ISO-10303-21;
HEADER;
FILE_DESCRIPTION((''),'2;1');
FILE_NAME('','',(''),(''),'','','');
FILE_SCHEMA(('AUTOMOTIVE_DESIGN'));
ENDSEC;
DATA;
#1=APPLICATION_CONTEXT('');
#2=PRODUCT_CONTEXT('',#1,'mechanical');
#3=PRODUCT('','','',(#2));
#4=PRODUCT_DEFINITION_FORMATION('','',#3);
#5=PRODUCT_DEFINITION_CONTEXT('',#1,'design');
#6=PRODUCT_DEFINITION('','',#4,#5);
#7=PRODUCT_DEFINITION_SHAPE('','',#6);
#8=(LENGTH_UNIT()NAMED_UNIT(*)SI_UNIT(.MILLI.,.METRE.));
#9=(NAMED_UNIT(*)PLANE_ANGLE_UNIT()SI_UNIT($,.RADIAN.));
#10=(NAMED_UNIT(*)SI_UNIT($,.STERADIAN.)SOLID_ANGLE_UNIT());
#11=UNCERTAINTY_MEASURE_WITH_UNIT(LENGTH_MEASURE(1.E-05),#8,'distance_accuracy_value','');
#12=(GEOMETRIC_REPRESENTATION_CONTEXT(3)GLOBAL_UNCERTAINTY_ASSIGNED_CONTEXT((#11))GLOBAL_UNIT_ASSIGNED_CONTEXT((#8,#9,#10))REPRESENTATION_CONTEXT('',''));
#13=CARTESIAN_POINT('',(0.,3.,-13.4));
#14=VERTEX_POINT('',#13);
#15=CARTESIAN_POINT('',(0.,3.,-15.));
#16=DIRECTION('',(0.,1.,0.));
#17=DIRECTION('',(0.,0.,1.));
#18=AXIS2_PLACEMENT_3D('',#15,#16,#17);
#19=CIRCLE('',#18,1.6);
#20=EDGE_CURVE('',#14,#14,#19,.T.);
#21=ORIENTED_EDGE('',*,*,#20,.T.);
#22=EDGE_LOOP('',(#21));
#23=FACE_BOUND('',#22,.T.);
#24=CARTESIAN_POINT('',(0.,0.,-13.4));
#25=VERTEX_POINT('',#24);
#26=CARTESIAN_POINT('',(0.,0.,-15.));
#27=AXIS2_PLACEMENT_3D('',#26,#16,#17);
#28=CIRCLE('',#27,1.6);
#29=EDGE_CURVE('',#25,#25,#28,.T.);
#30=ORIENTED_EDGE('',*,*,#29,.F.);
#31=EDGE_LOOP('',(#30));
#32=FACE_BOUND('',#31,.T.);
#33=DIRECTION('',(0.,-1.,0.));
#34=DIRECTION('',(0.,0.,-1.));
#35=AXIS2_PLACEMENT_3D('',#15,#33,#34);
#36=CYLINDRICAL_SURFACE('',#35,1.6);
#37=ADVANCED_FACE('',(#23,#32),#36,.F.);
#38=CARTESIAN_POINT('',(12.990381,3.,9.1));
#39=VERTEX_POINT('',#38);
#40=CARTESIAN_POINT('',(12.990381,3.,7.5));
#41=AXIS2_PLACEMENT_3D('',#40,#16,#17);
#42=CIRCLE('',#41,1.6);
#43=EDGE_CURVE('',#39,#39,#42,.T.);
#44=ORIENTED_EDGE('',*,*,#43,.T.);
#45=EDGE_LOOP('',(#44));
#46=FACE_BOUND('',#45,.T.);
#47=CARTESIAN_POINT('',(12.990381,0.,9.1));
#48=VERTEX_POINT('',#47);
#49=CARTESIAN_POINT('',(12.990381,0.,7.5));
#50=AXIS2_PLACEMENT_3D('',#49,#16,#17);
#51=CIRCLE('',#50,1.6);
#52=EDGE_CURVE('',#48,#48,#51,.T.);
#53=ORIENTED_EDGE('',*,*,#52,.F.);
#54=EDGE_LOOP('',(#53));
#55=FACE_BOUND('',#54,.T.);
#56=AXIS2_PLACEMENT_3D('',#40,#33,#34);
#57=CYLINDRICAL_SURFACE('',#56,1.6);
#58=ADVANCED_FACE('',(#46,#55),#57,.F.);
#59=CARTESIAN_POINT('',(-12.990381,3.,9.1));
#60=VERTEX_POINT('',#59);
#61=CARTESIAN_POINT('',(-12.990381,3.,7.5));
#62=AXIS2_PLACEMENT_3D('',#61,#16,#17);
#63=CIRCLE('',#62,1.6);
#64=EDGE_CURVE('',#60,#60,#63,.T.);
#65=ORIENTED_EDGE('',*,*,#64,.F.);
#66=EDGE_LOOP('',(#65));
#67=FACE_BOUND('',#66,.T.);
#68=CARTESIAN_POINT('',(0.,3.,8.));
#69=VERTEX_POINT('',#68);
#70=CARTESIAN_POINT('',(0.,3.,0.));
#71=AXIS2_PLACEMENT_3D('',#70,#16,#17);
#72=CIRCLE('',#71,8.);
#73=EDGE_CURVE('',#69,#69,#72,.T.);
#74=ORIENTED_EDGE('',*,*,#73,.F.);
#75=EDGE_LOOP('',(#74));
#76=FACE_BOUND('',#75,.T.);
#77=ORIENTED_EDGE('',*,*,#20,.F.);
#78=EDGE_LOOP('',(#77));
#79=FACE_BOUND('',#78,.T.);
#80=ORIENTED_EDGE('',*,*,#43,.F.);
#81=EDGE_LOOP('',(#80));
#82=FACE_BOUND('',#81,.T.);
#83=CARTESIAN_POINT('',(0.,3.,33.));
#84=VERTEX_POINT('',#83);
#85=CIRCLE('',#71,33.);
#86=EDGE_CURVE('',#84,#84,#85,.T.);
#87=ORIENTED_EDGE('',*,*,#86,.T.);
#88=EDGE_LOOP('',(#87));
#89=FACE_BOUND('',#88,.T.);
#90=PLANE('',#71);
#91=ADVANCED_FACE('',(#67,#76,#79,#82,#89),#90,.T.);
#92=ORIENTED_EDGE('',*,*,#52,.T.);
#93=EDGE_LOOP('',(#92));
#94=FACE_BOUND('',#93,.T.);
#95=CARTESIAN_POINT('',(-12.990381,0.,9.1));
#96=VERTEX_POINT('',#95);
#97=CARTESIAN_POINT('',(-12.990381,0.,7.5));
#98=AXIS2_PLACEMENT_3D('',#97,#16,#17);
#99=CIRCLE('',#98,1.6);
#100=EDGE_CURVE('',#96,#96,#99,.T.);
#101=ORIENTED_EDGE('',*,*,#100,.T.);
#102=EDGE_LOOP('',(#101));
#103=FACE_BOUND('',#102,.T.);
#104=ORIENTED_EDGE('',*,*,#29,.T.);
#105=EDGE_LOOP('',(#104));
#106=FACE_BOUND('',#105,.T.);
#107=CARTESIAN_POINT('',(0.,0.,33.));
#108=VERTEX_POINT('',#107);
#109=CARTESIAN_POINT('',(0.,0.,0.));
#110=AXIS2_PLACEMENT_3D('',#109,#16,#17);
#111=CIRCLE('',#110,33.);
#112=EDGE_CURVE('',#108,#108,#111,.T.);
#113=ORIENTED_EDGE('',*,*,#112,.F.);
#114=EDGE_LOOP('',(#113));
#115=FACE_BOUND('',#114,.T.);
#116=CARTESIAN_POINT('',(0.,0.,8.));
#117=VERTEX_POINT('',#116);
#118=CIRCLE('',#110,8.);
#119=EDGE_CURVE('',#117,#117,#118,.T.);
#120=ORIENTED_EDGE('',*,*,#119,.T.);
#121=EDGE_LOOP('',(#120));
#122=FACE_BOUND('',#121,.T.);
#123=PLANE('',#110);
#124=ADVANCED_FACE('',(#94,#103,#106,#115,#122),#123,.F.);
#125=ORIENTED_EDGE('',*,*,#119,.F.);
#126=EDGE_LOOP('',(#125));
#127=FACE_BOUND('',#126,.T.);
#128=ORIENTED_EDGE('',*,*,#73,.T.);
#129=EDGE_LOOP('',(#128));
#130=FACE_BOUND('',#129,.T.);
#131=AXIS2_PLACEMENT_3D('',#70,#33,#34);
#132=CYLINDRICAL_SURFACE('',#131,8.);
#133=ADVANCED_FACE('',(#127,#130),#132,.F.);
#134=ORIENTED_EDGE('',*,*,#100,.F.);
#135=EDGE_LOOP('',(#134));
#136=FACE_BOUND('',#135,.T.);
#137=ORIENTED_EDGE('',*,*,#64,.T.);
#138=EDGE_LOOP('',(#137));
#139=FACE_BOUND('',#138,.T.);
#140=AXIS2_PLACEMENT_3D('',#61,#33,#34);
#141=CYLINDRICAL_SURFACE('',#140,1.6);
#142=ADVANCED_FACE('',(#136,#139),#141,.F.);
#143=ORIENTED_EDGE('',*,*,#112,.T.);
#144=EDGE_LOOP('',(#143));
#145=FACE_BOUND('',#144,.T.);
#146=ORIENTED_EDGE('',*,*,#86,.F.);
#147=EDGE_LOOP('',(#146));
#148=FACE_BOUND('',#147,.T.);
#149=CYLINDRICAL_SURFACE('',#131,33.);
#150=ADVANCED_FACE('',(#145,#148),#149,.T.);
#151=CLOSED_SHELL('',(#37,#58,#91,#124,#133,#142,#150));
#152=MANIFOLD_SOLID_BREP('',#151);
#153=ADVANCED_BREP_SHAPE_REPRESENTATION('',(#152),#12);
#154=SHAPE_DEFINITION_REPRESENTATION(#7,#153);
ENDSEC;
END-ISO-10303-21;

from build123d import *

# Parameters (mm, degrees)
SKETCH1_R           = 33
SKETCH1_R_2         = 1.6
SKETCH1_R_3         = 8
BOSS_EXTRUDE1_DEPTH = 3


with BuildPart() as part:
    # Sketch1 → Boss-Extrude1 (new body)
    with BuildSketch(Plane(origin=(0, 0, 0), x_dir=(1, 0, 0), z_dir=(0, 1, 0))):
        Circle(SKETCH1_R)
        with Locations((0, 15)):
            Circle(SKETCH1_R_2, mode=Mode.SUBTRACT)
        with Locations((12.990381057, -7.5)):
            Circle(SKETCH1_R_2, mode=Mode.SUBTRACT)
        with Locations((-12.990381057, -7.5)):
            Circle(SKETCH1_R_2, mode=Mode.SUBTRACT)
        Circle(SKETCH1_R_3, mode=Mode.SUBTRACT)
    extrude(amount=BOSS_EXTRUDE1_DEPTH)


solid = part.part
